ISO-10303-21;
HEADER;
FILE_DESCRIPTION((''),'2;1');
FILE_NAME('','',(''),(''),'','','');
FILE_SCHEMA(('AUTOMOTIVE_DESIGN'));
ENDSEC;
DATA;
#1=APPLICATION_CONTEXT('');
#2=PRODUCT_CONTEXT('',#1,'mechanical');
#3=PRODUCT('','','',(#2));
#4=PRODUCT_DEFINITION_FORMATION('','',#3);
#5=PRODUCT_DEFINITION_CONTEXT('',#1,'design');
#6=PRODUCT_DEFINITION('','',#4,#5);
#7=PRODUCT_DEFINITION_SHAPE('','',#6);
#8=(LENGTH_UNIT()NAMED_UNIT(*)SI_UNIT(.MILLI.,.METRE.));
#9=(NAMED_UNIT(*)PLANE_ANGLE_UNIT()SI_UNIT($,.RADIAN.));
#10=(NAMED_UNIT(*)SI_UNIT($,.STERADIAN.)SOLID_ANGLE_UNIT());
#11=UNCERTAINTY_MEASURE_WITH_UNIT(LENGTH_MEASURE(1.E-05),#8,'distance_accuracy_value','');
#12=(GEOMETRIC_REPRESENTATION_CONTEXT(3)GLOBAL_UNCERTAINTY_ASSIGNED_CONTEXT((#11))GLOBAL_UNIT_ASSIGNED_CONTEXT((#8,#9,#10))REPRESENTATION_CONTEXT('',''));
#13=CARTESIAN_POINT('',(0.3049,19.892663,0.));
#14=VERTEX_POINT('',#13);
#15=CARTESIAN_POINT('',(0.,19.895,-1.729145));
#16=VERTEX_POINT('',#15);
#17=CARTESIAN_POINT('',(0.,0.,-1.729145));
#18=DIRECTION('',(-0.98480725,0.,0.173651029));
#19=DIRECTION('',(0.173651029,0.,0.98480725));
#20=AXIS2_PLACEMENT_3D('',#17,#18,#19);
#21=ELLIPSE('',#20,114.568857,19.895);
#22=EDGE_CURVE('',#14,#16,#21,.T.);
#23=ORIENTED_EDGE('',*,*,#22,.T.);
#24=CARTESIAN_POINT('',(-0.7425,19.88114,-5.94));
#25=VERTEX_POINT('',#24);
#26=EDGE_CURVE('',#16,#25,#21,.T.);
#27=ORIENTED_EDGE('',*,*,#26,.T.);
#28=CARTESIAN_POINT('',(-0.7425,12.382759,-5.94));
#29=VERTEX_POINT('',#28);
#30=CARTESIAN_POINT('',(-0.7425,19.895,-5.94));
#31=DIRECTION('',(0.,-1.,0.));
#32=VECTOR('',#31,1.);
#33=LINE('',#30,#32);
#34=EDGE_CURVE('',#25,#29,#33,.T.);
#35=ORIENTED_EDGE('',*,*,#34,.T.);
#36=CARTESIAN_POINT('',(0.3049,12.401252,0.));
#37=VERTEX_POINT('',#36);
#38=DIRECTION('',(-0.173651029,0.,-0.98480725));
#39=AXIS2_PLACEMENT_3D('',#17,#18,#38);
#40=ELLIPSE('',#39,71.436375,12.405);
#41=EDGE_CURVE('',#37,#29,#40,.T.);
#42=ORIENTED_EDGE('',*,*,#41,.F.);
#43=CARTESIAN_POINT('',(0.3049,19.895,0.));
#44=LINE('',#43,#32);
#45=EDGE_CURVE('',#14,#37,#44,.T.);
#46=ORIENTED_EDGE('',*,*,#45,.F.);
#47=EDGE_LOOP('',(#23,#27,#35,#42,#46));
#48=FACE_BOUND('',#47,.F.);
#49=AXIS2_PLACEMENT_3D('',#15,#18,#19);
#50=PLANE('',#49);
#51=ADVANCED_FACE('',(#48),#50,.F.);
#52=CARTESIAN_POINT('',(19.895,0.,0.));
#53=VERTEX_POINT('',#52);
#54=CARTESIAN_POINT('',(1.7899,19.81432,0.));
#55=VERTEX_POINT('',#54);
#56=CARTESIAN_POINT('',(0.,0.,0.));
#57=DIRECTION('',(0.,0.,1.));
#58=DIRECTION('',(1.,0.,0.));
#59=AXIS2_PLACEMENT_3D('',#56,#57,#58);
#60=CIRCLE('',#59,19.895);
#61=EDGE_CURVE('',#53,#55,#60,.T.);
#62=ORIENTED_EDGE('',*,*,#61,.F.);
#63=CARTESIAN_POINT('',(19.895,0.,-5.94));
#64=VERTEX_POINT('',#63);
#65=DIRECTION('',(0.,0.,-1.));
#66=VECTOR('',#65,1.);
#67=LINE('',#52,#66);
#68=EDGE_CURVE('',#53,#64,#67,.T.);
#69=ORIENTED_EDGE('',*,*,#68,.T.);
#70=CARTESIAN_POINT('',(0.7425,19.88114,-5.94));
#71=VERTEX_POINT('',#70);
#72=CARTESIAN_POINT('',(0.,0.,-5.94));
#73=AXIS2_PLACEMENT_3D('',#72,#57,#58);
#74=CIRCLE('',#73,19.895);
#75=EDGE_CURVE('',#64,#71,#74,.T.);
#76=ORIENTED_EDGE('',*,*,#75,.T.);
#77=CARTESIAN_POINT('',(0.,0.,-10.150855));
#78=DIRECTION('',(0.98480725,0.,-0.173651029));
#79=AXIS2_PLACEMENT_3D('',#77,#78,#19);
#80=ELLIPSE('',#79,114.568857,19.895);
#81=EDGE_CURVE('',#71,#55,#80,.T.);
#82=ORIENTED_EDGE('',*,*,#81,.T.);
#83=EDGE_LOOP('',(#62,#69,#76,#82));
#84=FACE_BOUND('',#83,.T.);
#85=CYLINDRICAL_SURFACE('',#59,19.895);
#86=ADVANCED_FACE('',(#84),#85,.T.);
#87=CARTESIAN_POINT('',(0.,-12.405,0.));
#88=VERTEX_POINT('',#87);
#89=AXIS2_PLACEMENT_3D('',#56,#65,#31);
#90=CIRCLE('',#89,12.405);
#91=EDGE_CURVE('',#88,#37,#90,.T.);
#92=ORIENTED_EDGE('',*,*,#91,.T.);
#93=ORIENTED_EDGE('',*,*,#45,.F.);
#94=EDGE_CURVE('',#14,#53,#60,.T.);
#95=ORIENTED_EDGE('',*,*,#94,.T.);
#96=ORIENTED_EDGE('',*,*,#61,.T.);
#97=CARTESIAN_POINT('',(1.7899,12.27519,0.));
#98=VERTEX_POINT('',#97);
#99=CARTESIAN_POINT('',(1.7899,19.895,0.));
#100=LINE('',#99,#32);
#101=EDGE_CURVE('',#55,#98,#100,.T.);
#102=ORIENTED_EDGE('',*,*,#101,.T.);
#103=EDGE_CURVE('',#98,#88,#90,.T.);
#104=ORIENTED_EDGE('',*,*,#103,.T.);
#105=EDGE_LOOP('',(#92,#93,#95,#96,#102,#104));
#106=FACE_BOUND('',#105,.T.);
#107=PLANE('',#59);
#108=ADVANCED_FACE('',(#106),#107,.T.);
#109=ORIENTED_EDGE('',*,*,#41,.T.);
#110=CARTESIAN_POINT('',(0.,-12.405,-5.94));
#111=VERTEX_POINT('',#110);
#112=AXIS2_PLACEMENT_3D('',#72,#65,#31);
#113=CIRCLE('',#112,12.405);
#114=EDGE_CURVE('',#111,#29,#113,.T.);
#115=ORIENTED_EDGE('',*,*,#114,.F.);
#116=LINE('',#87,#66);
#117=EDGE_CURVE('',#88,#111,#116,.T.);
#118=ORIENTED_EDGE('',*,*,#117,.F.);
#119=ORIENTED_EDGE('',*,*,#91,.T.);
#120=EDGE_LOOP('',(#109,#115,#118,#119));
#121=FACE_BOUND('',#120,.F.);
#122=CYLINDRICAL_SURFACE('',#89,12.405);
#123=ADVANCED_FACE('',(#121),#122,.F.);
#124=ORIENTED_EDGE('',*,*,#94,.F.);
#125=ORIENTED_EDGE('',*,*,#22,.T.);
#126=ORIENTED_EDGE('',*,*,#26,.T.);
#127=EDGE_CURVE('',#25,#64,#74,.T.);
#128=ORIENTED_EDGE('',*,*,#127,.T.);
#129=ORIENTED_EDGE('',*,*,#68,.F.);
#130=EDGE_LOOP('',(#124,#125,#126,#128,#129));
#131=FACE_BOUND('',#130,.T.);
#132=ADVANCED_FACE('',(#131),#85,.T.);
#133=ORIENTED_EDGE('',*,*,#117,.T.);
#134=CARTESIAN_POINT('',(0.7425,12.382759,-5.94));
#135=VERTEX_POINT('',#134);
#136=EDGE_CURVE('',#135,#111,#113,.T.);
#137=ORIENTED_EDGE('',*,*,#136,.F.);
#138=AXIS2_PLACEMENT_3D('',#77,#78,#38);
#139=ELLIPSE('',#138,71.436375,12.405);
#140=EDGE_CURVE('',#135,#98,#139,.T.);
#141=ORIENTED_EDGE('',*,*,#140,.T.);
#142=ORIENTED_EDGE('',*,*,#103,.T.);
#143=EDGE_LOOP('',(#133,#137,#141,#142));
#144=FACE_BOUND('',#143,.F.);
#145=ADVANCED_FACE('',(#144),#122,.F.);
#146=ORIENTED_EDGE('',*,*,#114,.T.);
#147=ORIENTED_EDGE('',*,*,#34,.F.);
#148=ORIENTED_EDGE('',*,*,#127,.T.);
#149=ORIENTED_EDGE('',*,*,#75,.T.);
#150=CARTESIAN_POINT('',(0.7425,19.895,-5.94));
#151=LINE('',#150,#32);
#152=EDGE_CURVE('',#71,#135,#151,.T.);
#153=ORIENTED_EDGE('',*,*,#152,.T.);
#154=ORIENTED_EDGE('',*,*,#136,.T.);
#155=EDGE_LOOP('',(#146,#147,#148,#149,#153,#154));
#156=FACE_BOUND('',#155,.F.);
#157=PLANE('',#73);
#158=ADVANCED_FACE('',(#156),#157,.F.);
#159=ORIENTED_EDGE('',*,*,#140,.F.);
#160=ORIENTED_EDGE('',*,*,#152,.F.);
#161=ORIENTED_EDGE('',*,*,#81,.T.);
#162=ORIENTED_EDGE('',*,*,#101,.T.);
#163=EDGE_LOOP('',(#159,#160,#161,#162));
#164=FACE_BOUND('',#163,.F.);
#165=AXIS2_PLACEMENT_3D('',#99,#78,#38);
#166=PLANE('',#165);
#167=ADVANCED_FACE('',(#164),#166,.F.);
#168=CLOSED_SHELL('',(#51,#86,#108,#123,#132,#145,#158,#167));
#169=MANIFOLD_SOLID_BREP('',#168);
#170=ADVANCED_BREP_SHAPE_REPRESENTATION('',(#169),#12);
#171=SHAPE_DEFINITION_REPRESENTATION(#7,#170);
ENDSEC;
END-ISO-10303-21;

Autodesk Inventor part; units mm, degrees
ref_plane "WorkPlane1" through (0, 0, 0) normal (0, 0, 1) x (1, 0, 0)
ref_plane "WorkPlane3" through (0, 0, -5.94) normal (0, 0, 1) x (1, 0, 0)
ref_plane "Work Plane3" through (0, -19.895, 0) normal (0, 1, 0) x (-1, 0, 0)
ref_plane "WorkPlane10" through (0, 19.895, 0) normal (0, 1, 0) x (-1, 0, 0)
sketch "Sketch1" plane through (0, 0, 0) normal (0, 0, 1) x (1, 0, 0)
  point P0 (0, 0)
sketch "Sketch2" plane through (0, 0, 0) normal (0, 0, 1) x (1, 0, 0)
  circle A0 centre (0, 0) radius 19.895
  dimension "d3" = 39.79
extrude "Extrusion1" add sketch "Sketch2" against normal blind 5.94
sketch "Sketch3" plane through (0, 0, -5.94) normal (0, 0, 1) x (1, 0, 0)
  point P0 (0, 0)
sketch "Sketch4" plane through (0, 0, 0) normal (0, 0, 1) x (1, 0, 0)
  circle A0 centre (0, 0) radius 19.895 projected
hole "Hole1" at (0, 0, 0) direction (0, 0, -1) diameter 24.81 end through all
sketch "Sketch5" plane through (0, 19.895, 0) normal (0, 1, 0) x (-1, 0, 0)
  line L0 (-0.3049, 0) -> (-1.7899, 0)
  line L1 (0.7425, -5.94) -> (-0.3049, 0)
  line L2 (-0.7425, -5.94) -> (0.7425, -5.94)
  line L3 (-1.7899, 0) -> (-0.7425, -5.94)
  line L4 (-12.405, 0) -> (12.405, 0) construction
  line L5 (19.895, -5.94) -> (-19.895, -5.94) construction
  line L6 (0, -7.128) -> (0, 1.188) projected
  dimension "d15" = 80
  dimension "d18" = 0.7425
  dimension "d19" = 0.7425
extrude "Extrusion2" cut sketch "Sketch5" against normal blind 19.895
ref_plane "MSC_PT1" through (0, 0, 0) normal (0, 0, 1) x (1, 0, 0)
ref_plane "MSC_PT2" through (0, 0, -5.94) normal (0, 0, -1) x (-1, 0, 0)
equation "\"d7\" = Diam1"
equation "\"d4\" = ParH"
equation "\"d18\" = 0.125 * ParH"
equation "\"d19\" = 0.125 * ParH"
equation "\"d16\" = 0.5 * Diam2"
equation "\"d3\" = Diam2"
equation "\"Diam2\" = 39.79"
equation "\"ParH\" = 5.94"
equation "\"Diam1\" = 24.81"
equation "\"d20\" = 0.5 * Diam2"
properties part number "ASME B18.21.2M - 24" material "Steel, Mild"
